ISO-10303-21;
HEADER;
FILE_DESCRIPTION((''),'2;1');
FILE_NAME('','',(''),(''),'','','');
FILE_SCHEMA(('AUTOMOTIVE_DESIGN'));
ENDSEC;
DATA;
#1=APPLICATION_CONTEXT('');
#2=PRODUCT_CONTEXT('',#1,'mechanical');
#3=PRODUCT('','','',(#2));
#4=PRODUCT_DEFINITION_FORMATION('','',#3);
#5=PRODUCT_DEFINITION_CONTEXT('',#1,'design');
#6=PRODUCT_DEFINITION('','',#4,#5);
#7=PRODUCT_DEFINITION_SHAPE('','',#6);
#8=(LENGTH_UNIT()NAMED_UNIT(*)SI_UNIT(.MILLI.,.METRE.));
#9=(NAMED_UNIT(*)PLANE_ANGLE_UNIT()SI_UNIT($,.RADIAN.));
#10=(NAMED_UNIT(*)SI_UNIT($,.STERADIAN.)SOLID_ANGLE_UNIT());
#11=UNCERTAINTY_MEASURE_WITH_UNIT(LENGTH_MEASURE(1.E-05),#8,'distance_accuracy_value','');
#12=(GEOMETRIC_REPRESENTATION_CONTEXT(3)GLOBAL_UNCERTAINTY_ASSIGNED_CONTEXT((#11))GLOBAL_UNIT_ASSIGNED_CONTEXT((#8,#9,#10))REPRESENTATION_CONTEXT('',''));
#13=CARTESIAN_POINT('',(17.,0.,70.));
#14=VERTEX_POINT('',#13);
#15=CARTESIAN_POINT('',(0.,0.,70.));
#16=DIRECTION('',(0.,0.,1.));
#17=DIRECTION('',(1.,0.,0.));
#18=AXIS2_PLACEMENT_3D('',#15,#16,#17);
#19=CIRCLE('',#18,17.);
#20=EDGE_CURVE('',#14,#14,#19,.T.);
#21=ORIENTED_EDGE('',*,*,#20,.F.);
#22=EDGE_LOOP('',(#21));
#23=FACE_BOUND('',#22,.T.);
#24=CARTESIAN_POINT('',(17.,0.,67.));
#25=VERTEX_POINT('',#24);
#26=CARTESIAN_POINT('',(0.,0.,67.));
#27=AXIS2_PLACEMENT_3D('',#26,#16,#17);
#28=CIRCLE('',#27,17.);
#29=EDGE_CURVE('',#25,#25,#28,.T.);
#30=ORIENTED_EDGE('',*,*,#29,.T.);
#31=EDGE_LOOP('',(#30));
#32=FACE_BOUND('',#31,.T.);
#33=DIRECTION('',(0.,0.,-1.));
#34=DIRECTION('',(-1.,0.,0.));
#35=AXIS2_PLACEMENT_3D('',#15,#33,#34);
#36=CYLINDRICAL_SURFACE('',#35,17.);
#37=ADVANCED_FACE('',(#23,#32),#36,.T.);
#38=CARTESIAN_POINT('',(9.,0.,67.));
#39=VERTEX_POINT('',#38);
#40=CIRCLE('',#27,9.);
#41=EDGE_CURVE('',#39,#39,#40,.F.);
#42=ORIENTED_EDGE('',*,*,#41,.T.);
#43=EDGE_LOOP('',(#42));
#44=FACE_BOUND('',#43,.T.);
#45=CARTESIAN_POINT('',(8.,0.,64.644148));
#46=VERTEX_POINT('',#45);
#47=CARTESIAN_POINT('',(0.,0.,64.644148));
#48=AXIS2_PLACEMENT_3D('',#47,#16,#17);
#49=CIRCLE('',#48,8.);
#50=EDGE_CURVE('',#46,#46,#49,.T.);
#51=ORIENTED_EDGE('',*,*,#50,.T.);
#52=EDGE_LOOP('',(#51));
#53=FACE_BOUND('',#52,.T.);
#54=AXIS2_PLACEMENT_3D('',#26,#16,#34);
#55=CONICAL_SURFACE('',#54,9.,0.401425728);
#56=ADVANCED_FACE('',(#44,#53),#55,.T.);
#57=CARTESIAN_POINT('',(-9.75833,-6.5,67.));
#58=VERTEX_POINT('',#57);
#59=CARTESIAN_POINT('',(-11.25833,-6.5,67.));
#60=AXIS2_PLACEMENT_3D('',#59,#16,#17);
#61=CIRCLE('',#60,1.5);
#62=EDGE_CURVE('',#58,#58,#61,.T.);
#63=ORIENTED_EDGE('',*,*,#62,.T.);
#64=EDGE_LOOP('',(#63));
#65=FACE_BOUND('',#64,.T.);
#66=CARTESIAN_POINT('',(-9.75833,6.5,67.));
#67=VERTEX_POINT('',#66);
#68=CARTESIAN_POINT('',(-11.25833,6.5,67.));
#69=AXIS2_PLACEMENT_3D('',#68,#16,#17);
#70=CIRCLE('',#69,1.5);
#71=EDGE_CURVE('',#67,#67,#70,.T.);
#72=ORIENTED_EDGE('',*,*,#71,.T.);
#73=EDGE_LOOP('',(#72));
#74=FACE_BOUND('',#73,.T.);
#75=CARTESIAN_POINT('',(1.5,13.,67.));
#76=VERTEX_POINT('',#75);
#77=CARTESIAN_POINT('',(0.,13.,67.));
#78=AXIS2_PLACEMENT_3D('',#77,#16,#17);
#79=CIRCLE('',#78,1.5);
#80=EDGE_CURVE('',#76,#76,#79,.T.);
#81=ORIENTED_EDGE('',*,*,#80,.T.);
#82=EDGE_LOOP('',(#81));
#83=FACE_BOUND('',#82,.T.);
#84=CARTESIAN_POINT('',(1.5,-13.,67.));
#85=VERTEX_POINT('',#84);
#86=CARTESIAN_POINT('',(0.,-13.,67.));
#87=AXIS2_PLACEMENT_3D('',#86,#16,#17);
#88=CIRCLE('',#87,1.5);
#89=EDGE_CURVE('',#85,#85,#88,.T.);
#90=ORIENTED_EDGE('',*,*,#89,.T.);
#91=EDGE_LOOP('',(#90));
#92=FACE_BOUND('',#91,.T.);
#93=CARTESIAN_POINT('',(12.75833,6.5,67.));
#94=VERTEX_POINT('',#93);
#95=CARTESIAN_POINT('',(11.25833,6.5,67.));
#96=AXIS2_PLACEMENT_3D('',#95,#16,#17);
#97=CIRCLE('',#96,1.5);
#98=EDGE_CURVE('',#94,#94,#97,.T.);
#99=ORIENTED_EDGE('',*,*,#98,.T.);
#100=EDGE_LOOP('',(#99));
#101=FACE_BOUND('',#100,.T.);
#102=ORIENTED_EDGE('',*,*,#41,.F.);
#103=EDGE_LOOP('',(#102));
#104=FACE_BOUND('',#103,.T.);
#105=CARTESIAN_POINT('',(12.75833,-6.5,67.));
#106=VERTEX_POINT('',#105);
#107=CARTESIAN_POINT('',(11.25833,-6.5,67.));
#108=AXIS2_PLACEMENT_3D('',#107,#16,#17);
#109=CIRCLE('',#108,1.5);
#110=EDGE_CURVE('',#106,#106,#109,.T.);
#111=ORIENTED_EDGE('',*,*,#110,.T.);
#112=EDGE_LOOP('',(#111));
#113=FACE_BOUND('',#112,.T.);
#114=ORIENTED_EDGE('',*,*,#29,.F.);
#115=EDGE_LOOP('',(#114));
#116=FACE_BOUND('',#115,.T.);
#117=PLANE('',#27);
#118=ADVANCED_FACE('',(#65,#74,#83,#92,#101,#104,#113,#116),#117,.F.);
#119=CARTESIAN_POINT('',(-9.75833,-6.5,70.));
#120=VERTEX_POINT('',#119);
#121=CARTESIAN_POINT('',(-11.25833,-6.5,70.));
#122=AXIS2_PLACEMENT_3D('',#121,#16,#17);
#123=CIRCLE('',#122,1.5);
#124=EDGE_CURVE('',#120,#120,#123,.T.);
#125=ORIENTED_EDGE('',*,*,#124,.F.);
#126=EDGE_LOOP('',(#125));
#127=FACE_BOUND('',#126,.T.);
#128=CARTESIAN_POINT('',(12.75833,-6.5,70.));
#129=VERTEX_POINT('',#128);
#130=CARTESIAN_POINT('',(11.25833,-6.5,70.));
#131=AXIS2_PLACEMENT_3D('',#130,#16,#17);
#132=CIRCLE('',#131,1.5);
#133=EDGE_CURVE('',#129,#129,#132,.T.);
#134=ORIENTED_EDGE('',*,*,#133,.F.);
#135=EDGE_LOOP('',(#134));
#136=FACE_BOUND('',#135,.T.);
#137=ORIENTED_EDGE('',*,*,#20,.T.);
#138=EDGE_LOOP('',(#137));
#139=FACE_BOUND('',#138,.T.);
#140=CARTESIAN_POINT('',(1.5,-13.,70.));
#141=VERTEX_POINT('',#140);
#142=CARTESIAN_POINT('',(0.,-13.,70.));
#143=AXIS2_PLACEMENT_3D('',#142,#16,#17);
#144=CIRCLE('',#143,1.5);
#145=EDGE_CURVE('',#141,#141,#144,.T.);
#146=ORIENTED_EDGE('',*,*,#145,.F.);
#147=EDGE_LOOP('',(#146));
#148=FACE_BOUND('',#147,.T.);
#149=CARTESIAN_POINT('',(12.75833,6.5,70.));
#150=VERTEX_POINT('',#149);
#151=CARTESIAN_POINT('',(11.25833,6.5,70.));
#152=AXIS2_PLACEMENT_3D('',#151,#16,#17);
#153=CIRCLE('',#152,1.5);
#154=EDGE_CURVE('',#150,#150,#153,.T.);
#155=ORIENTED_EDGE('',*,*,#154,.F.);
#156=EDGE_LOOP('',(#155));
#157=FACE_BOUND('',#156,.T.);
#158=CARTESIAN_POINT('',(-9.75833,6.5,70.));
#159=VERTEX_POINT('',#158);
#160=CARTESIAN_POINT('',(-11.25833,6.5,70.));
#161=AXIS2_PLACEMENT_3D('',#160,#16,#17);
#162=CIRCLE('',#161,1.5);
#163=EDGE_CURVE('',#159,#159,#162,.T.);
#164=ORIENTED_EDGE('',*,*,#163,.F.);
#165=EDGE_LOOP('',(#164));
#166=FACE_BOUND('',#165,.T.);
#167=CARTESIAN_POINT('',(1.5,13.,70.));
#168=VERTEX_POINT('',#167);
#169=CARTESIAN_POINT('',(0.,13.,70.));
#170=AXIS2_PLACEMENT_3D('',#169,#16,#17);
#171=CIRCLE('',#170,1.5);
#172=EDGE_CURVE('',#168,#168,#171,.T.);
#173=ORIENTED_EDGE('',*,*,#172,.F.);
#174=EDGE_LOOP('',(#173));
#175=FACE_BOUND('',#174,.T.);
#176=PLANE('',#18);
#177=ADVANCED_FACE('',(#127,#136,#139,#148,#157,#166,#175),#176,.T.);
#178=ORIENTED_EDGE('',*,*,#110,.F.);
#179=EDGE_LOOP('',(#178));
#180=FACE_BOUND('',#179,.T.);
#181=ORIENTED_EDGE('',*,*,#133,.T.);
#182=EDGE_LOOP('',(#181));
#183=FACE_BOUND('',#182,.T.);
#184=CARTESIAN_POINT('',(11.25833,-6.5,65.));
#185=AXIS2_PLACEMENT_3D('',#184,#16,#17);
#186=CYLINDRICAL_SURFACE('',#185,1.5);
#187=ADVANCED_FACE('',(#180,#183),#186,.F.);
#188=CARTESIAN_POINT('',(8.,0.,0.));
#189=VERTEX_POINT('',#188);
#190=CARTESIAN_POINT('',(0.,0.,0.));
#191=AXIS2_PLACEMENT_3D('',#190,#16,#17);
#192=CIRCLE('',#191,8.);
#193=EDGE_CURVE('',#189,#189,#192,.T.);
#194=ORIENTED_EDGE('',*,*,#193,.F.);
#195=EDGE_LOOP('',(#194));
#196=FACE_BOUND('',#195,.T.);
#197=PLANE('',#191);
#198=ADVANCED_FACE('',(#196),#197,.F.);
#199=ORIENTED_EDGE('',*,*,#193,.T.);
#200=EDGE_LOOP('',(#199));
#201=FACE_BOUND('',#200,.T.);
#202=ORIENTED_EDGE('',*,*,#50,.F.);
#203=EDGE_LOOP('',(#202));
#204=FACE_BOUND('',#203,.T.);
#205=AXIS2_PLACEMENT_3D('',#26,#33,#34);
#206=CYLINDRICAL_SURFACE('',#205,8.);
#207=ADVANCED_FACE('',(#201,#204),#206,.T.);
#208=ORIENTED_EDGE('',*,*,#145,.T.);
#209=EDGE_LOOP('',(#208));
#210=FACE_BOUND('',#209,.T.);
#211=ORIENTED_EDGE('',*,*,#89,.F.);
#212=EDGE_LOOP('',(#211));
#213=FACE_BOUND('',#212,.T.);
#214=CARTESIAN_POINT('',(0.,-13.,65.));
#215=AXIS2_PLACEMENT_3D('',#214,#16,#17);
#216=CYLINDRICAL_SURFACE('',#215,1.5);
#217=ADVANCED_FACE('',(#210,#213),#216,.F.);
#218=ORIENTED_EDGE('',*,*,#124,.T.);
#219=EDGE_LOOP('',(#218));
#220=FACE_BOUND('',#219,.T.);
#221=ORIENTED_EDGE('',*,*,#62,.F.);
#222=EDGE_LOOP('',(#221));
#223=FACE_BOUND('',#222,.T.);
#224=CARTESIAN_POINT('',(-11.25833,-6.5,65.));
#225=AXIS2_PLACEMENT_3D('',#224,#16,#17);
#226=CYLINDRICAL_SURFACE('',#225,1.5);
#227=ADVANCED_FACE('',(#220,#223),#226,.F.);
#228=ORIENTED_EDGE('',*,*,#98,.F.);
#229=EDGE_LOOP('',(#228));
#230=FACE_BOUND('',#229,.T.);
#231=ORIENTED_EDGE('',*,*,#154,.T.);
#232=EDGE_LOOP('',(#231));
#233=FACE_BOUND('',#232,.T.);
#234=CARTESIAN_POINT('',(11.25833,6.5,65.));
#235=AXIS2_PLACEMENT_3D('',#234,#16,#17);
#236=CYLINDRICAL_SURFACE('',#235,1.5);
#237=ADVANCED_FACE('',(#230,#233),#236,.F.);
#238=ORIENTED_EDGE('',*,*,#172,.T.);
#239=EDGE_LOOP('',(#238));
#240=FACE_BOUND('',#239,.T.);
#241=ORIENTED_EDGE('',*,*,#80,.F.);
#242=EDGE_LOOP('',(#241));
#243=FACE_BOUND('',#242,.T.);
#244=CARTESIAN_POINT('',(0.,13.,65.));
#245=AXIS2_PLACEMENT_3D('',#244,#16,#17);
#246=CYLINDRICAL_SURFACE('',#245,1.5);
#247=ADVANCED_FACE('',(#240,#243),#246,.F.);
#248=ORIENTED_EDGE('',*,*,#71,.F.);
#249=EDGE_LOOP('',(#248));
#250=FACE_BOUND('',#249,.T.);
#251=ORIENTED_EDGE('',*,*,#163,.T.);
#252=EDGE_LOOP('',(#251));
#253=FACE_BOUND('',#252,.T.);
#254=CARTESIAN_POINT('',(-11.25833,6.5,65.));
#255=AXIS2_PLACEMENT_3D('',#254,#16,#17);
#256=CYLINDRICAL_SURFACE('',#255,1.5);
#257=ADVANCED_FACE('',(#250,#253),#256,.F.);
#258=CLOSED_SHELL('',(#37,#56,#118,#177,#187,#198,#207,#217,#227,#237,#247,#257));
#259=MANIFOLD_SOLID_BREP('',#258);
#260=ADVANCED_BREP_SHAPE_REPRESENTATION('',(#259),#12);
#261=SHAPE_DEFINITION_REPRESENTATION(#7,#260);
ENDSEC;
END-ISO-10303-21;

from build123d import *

# Parameters (mm, degrees)
CROQUIS1_R              = 8
SALIENTE_EXTRUIR1_DEPTH = 67
CROQUIS2_R              = 17
SALIENTE_EXTRUIR2_DEPTH = 3
CROQUIS3_R              = 9
SALIENTE_EXTRUIR3_DEPTH = 5
SALIENTE_EXTRUIR3_TAPER = 23
CROQUIS4_R              = 1.5
CORTAR_EXTRUIR2_DEPTH   = 5


with BuildPart() as part:
    # Croquis1 → Saliente-Extruir1 (new body)
    with BuildSketch(Plane.XY):
        Circle(CROQUIS1_R)
    extrude(amount=SALIENTE_EXTRUIR1_DEPTH)

    # Croquis2 → Saliente-Extruir2 (add)
    with BuildSketch(Plane.XY.offset(67)):
        Circle(CROQUIS2_R)
    extrude(amount=SALIENTE_EXTRUIR2_DEPTH)

    # Croquis3 → Saliente-Extruir3 (add)
    with BuildSketch(Plane(origin=(0, 0, 67), x_dir=(-1, 0, 0), z_dir=(0, 0, -1))):
        Circle(CROQUIS3_R)
    extrude(amount=SALIENTE_EXTRUIR3_DEPTH, taper=SALIENTE_EXTRUIR3_TAPER)

    # Croquis4 → Cortar-Extruir2 (cut)
    with BuildSketch(Plane.XY.offset(70)):
        with Locations((0, 13)):
            Circle(CROQUIS4_R)
        with Locations((11.258330249, 6.5)):
            Circle(CROQUIS4_R)
        with Locations((11.258330249, -6.5)):
            Circle(CROQUIS4_R)
        with Locations((0, -13)):
            Circle(CROQUIS4_R)
        with Locations((-11.258330249, -6.5)):
            Circle(CROQUIS4_R)
        with Locations((-11.258330249, 6.5)):
            Circle(CROQUIS4_R)
    extrude(amount=-CORTAR_EXTRUIR2_DEPTH, mode=Mode.SUBTRACT)


solid = part.part
